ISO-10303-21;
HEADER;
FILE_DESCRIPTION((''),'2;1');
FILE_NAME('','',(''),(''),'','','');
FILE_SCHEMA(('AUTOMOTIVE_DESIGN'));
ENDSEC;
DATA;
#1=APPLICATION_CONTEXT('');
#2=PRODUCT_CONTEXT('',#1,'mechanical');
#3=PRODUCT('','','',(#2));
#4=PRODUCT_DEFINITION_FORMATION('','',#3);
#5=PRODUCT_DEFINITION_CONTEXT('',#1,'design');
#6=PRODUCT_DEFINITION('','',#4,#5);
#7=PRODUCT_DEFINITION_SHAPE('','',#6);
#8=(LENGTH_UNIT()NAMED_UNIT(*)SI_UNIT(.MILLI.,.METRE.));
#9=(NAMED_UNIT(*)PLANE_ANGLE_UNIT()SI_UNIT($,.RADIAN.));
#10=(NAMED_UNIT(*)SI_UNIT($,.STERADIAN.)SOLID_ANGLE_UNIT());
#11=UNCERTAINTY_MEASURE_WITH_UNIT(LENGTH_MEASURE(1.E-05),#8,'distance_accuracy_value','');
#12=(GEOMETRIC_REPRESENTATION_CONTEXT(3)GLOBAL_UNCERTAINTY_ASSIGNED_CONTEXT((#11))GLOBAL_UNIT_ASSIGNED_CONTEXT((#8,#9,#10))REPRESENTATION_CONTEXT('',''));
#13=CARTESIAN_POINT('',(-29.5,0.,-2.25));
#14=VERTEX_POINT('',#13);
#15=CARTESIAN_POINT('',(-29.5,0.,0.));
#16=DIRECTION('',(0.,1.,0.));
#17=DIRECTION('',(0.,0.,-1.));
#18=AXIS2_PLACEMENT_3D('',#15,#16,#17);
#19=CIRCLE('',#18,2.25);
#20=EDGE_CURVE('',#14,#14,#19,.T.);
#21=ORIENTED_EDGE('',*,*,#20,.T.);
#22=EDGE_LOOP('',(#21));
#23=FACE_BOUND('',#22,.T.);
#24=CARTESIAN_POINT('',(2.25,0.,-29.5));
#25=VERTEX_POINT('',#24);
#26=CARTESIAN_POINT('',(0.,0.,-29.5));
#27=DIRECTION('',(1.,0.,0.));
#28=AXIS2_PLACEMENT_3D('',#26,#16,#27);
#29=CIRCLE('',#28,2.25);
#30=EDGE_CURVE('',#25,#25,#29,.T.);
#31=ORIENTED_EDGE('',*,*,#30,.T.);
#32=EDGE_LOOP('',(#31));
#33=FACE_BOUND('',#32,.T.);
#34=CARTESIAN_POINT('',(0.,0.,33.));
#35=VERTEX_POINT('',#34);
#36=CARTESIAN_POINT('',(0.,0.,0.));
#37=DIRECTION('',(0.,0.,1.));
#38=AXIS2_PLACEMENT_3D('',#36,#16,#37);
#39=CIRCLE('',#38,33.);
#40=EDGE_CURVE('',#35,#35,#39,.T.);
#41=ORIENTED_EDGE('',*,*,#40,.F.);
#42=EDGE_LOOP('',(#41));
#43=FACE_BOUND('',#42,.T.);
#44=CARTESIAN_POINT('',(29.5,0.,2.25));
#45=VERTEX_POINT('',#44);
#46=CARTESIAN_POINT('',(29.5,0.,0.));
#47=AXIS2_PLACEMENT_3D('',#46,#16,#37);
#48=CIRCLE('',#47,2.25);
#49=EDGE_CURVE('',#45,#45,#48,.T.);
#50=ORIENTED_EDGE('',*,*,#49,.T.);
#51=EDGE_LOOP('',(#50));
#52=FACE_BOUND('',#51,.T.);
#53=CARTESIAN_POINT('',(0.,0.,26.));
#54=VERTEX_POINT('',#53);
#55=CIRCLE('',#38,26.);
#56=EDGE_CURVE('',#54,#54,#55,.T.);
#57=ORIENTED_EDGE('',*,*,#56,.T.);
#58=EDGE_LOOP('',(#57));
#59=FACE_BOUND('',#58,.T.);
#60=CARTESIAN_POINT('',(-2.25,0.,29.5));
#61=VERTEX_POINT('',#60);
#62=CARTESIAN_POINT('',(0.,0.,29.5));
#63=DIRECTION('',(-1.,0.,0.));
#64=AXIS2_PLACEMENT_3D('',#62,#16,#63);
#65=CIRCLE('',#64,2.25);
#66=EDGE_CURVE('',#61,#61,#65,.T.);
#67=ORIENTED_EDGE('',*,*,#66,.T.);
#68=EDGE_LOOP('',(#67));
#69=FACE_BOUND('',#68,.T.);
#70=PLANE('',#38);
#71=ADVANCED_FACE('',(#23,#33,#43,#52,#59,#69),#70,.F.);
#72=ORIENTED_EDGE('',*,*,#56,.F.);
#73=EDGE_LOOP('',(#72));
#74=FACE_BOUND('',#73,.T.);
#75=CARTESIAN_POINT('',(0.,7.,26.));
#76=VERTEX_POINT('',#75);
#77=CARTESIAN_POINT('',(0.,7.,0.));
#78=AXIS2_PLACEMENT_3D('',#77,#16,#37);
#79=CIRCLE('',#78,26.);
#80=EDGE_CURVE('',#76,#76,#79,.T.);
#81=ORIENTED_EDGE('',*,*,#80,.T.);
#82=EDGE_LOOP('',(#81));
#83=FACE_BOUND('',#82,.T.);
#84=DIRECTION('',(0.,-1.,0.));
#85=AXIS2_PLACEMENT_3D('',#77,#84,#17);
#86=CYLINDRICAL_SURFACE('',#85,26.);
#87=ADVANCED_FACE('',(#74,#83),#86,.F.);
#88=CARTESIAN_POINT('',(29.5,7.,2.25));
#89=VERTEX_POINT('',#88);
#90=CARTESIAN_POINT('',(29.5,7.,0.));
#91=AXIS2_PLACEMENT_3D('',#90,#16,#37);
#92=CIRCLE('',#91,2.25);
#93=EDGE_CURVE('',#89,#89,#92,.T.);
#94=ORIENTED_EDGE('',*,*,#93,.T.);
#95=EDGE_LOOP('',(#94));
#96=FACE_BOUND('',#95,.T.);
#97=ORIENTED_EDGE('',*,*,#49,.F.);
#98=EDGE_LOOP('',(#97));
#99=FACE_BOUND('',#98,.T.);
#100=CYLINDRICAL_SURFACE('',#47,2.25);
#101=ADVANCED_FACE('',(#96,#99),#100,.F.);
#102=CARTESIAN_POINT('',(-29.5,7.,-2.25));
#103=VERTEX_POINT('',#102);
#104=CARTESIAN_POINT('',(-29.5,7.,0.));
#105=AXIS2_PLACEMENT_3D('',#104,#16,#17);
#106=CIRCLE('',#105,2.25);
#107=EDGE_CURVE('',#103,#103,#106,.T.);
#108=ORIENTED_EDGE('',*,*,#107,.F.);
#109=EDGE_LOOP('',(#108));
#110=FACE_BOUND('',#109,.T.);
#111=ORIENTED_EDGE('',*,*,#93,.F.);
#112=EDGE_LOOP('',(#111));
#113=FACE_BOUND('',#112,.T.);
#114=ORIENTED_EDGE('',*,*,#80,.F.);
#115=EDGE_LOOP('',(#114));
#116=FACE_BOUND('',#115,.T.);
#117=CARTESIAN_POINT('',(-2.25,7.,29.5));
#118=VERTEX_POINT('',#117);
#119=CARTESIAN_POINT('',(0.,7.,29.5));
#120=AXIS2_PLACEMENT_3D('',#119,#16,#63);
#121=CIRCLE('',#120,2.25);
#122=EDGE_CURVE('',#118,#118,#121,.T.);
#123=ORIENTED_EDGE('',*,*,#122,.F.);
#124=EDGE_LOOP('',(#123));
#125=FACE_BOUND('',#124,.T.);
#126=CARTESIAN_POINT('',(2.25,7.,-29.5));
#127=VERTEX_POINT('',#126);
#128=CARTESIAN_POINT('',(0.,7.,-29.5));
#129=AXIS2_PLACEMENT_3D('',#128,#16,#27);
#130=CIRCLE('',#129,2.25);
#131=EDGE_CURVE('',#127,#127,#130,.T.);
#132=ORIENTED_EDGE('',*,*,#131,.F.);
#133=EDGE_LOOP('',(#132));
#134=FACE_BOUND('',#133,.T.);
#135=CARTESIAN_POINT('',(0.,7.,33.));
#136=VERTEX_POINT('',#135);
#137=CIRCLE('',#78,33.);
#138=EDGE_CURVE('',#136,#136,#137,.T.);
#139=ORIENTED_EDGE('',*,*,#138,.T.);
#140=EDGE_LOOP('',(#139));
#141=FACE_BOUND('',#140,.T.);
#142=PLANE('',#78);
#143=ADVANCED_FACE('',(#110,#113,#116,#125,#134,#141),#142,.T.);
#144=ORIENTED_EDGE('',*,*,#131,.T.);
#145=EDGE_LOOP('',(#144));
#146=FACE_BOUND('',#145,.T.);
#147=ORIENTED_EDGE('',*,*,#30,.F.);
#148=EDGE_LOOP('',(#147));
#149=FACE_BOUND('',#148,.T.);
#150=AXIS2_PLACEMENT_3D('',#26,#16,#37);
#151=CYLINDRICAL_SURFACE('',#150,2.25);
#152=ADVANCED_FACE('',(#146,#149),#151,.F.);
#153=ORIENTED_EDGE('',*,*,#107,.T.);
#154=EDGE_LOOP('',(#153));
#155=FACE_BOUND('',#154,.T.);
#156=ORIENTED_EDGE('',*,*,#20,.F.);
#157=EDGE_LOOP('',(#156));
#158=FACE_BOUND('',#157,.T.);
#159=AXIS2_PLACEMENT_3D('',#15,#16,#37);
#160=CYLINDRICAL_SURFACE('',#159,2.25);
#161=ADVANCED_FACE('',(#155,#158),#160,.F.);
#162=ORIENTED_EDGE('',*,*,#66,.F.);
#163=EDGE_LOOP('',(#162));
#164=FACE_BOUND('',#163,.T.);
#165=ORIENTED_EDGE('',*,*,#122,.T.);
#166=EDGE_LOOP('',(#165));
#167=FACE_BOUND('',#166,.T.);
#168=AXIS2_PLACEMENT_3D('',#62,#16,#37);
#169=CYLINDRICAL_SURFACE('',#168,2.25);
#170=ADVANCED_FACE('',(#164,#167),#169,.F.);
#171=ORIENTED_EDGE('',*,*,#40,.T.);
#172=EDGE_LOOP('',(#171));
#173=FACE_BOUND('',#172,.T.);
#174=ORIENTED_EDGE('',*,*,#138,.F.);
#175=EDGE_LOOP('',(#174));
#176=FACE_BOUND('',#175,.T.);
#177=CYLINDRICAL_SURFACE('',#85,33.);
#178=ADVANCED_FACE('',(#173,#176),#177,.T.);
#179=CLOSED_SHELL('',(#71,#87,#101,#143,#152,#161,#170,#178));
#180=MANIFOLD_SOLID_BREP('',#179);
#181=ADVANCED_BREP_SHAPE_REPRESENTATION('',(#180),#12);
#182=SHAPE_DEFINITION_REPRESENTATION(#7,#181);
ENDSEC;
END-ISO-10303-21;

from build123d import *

# Parameters (mm, degrees)
SKETCH1_R           = 33
SKETCH1_R_2         = 26
BOSS_EXTRUDE1_DEPTH = 7
SKETCH5_R           = 2.25
CUT_EXTRUDE1_DEPTH  = 48.191100856
CIRPATTERN1_COUNT   = 4


with BuildPart() as part:
    # Sketch1 → Boss-Extrude1 (new body)
    with BuildSketch(Plane(origin=(0, 0, 0), x_dir=(1, 0, 0), z_dir=(0, 1, 0))):
        with Locations(Location((0, 0, 0), (0, 0, 270))):
            Circle(SKETCH1_R)
        with Locations(Location((0, 0, 0), (0, 0, 270))):
            Circle(SKETCH1_R_2, mode=Mode.SUBTRACT)
    extrude(amount=BOSS_EXTRUDE1_DEPTH)

    # Sketch5 → Cut-Extrude1 (cut, through all)
    with BuildSketch(Plane(origin=(0, 7, 0), x_dir=(1, 0, 0), z_dir=(0, 1, 0))):
        with Locations(Location((29.5, 0, 0), (0, 0, 270))):
            Circle(SKETCH5_R)
    cut_extrude1 = extrude(amount=-CUT_EXTRUDE1_DEPTH, mode=Mode.SUBTRACT)

    # CirPattern1: Cut-Extrude1 ×4 about axis
    cirpattern1_axis = Axis((0, 0, 0), (0, 1, 0))
    for i in range(1, CIRPATTERN1_COUNT):
        add(cut_extrude1.rotate(cirpattern1_axis, i * 360 / CIRPATTERN1_COUNT), mode=Mode.SUBTRACT)


solid = part.part
